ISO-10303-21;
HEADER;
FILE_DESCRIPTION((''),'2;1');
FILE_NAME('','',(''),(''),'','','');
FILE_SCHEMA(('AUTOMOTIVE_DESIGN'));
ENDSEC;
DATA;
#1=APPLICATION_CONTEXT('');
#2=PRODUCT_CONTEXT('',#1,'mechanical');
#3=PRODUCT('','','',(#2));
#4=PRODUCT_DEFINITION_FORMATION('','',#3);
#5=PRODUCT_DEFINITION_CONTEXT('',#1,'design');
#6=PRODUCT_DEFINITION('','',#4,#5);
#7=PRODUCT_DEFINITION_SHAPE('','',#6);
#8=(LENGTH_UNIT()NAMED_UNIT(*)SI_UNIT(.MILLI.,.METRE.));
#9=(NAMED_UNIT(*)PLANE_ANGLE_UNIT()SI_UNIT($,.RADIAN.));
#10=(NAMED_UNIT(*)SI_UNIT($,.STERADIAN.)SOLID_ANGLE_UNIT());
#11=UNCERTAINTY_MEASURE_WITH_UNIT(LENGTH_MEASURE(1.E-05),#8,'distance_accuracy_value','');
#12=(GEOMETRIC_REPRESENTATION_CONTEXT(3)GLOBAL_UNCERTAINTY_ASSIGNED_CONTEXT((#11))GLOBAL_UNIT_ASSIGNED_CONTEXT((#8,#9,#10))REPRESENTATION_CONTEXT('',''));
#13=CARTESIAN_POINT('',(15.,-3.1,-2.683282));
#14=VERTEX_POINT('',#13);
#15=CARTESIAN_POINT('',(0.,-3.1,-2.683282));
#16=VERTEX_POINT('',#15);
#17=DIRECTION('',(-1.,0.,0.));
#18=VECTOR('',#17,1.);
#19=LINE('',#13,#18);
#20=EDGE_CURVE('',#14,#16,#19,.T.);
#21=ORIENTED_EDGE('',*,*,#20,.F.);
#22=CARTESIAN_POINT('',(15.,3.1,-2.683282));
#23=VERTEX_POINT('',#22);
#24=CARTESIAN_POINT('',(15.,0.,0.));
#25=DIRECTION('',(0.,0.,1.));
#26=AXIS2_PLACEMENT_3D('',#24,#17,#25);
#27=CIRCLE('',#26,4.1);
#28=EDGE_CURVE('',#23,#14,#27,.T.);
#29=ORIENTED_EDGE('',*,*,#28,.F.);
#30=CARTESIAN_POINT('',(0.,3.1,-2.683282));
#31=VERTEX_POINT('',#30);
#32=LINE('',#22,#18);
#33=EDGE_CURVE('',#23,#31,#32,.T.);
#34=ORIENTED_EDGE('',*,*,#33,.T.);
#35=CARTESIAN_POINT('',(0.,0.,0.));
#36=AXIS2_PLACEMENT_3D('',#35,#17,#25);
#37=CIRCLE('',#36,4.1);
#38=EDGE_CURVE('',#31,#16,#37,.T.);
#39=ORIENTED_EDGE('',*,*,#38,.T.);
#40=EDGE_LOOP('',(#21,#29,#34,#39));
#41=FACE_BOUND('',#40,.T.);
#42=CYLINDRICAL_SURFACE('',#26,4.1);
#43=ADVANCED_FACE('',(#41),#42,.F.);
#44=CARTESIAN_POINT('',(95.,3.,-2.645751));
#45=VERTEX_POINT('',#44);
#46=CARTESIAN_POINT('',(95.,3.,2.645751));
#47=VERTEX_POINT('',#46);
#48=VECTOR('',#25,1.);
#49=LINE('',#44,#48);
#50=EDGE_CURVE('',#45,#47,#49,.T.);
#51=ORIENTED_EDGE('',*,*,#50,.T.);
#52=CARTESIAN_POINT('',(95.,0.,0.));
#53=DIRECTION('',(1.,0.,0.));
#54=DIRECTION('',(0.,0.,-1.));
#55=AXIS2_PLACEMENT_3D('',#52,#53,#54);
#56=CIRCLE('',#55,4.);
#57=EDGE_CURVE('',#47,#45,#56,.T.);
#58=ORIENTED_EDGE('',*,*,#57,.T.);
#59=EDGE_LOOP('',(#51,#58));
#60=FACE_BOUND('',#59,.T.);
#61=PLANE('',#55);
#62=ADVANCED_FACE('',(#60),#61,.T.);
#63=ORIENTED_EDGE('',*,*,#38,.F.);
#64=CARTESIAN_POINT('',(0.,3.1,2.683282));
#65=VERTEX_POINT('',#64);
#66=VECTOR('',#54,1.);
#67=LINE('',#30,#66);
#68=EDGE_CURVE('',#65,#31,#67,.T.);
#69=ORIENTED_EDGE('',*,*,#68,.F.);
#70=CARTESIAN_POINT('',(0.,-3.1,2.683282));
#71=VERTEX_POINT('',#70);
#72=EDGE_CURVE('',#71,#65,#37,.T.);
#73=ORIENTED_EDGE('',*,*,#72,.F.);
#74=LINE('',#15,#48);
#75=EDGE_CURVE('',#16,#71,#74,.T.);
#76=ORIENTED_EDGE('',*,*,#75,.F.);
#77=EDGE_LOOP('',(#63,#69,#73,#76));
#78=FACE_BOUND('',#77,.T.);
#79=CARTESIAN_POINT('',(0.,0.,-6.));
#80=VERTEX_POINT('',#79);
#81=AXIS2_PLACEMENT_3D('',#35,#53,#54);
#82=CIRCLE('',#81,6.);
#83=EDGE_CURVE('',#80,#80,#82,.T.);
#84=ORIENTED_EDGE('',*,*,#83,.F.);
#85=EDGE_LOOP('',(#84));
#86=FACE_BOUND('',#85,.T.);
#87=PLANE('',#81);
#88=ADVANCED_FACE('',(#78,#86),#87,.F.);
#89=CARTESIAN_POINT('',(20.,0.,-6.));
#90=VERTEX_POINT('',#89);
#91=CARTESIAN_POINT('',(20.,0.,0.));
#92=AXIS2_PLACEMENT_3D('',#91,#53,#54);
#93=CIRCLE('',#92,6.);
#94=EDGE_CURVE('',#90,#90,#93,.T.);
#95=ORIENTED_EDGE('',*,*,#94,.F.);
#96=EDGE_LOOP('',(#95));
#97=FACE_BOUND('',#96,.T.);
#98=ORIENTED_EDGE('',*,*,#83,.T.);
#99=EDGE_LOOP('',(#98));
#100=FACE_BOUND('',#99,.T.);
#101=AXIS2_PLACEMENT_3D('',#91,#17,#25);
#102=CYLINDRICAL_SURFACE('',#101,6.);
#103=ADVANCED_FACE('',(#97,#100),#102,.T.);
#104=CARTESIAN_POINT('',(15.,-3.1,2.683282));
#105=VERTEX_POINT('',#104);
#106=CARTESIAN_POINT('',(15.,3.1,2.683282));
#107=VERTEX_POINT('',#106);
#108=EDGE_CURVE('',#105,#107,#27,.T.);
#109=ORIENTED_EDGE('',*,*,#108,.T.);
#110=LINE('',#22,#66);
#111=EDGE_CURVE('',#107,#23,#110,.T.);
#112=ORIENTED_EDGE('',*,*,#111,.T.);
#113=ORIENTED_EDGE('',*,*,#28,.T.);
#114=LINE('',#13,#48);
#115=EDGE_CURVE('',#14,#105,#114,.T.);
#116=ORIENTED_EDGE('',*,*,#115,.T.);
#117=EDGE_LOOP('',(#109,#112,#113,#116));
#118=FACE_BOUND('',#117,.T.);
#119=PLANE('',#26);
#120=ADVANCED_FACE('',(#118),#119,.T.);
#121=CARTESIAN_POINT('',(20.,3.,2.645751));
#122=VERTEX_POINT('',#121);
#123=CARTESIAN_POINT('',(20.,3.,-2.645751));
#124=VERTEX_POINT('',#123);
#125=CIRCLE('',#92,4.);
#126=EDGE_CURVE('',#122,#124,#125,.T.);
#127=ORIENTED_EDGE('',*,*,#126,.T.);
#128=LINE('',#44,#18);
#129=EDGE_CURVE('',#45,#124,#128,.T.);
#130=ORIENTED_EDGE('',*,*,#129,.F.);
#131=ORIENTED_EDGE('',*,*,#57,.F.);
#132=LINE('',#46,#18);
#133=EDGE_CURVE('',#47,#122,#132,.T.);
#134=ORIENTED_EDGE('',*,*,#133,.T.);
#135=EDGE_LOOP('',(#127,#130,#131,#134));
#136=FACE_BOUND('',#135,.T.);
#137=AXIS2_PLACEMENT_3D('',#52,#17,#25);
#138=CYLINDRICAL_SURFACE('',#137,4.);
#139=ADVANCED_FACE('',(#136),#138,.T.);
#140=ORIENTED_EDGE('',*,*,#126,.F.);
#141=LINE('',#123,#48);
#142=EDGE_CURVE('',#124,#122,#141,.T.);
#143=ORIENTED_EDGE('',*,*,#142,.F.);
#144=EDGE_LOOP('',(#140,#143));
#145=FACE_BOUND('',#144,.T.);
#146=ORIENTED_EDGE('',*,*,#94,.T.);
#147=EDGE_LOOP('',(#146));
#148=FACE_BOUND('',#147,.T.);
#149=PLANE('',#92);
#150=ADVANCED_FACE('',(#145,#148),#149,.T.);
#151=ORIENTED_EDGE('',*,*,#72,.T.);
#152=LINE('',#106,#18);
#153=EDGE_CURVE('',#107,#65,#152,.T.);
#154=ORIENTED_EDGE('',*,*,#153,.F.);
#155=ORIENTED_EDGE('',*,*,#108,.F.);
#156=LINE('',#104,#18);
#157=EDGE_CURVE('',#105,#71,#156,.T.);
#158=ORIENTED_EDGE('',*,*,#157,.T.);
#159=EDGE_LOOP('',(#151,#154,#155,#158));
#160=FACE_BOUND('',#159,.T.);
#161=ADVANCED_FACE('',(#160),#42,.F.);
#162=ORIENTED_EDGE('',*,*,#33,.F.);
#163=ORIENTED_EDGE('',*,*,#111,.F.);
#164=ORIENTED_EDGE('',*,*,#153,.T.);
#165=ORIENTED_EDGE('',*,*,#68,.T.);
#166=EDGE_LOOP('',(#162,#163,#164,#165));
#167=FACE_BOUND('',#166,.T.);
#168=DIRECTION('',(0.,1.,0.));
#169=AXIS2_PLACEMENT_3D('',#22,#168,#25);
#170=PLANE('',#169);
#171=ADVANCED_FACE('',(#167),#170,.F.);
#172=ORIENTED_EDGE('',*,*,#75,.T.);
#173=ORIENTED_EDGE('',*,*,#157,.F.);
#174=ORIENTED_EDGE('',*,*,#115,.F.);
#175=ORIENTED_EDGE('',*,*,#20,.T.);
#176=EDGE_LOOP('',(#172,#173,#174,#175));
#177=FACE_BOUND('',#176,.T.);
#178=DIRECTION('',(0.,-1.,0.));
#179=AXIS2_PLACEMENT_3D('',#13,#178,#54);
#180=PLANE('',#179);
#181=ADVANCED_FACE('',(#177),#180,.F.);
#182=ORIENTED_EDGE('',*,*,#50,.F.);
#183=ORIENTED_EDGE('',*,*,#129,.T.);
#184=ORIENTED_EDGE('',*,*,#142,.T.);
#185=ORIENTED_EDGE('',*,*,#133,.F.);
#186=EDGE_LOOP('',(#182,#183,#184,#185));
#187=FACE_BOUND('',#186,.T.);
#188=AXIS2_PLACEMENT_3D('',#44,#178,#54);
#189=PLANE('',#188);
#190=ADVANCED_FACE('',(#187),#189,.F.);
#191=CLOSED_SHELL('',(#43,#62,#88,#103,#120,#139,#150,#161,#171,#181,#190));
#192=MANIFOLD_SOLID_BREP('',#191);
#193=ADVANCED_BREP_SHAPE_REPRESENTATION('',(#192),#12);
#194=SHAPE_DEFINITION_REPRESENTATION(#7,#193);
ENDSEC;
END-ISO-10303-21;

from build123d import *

# Parameters (mm, degrees)
SKETCH1_R           = 6
BOSS_EXTRUDE1_DEPTH = 20
CUT_EXTRUDE1_DEPTH  = 15
BOSS_EXTRUDE2_DEPTH = 75


with BuildPart() as part:
    # Sketch1 → Boss-Extrude1 (new body)
    with BuildSketch(Plane(origin=(0, 0, 0), x_dir=(0, 0, -1), z_dir=(1, 0, 0))):
        Circle(SKETCH1_R)
    extrude(amount=BOSS_EXTRUDE1_DEPTH)

    # Sketch2 → Cut-Extrude1 (cut)
    with BuildSketch(Plane.ZY):
        with BuildLine():
            Line((-2.683281573, 3.1), (2.683281573, 3.1))
            ThreePointArc((2.683281573, 3.1), (4.1, 0), (2.683281573, -3.1))
            Line((2.683281573, -3.1), (-2.683281573, -3.1))
            ThreePointArc((-2.683281573, -3.1), (-4.1, 0), (-2.683281573, 3.1))
        make_face()
    extrude(amount=-CUT_EXTRUDE1_DEPTH, mode=Mode.SUBTRACT)

    # Sketch3 → Boss-Extrude2 (add)
    with BuildSketch(Plane(origin=(20, 0, 0), x_dir=(0, 0, -1), z_dir=(1, 0, 0))):
        with BuildLine():
            Line((2.645751311, 3), (-2.645751311, 3))
            ThreePointArc((-2.645751311, 3), (0, -4), (2.645751311, 3))
        make_face()
    extrude(amount=BOSS_EXTRUDE2_DEPTH)


solid = part.part
